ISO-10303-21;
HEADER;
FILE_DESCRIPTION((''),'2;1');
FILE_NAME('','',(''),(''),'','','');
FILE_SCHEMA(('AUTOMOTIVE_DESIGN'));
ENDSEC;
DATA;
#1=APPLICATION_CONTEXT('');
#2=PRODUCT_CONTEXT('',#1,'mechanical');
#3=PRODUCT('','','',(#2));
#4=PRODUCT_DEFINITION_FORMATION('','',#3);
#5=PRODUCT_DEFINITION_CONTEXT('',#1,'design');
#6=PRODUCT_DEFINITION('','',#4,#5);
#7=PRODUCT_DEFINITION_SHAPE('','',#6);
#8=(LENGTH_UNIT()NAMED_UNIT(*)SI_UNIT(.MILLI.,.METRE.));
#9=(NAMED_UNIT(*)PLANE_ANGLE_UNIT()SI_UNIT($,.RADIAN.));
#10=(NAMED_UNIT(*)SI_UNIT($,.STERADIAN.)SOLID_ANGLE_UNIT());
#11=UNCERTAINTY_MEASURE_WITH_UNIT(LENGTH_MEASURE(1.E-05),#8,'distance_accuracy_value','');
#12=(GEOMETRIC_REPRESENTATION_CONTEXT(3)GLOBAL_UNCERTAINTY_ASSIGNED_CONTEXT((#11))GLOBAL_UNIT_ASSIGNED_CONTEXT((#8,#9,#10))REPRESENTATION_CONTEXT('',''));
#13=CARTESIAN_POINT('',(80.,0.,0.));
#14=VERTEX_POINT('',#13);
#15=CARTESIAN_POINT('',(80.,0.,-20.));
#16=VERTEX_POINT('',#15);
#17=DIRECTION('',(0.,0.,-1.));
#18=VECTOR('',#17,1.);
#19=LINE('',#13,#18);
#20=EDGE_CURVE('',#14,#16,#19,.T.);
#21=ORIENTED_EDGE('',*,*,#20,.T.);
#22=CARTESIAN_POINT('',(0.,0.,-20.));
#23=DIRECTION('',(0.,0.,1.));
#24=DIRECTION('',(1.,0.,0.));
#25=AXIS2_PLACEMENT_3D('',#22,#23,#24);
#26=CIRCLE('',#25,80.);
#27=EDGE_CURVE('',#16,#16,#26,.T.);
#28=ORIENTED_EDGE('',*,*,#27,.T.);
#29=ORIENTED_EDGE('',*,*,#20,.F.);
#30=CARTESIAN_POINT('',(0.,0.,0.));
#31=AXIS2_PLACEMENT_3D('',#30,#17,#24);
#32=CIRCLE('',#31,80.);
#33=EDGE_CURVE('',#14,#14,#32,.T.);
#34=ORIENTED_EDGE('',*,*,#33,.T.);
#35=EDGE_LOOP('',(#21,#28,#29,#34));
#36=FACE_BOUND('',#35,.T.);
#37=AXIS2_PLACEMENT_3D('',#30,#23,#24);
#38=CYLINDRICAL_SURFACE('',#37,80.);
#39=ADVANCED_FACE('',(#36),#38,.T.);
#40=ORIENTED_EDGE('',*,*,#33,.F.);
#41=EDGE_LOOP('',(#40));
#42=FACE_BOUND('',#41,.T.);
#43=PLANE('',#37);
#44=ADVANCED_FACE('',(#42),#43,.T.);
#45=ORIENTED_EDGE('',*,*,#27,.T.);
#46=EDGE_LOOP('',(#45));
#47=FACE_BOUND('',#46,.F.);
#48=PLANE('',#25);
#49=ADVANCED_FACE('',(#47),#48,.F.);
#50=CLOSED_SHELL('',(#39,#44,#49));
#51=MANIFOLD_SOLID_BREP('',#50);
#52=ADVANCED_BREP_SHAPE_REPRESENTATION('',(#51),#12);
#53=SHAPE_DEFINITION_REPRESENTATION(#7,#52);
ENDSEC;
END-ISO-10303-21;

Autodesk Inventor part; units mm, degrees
ref_plane "YZ Plane" through (0, 0, 0) normal (1, 0, 0) x (0, 1, 0)
ref_plane "XZ Plane" through (0, 0, 0) normal (0, 1, 0) x (-1, 0, 0)
ref_plane "XY Plane" through (0, 0, 0) normal (0, 0, 1) x (1, 0, 0)
sketch "Sketch1" plane through (0, 0, 0) normal (0, 0, 1) x (1, 0, 0)
  spline S0 degree 3 poles (-6.5259, 79.7334) (-6.2263, 79.2581) (-5.7769, 78.5452) (-5.2243, 77.5668) (-4.8273, 76.8235) (-4.451, 76.0694) (-4.0967, 75.3048) (-3.7666, 74.5294) (-3.4631, 73.7432) (-3.1905, 72.9457) (-2.9506, 72.1376) (-2.7945, 71.4528) (-2.6817, 70.9025) (-2.5626, 70.4977) (-2.4016, 70.1077) (-2.1917, 69.7409) (-1.9706, 69.4668) (-1.7708, 69.2687) (-1.6019, 69.1425) (-1.4288, 69.0215) (-1.2381, 68.9312) (-1.0444, 68.8474) (-0.8391, 68.7979) (-0.6323, 68.7561) (-0.3509, 68.7461) (0, 68.7526) (0.3509, 68.7461) (0.6323, 68.7561) (0.8391, 68.7979) (1.0444, 68.8474) (1.2381, 68.9312) (1.4288, 69.0215) (1.6019, 69.1425) (1.7708, 69.2687) (1.9706, 69.4668) (2.1917, 69.7409) (2.4016, 70.1077) (2.5626, 70.4977) (2.6817, 70.9025) (2.7945, 71.4528) (2.9506, 72.1376) (3.1905, 72.9457) (3.4631, 73.7432) (3.7666, 74.5294) (4.0967, 75.3048) (4.451, 76.0694) (4.8273, 76.8235) (5.2243, 77.5668) (5.7769, 78.5452) (6.2263, 79.2581) (6.5259, 79.7334) knots 0 0 0 0 0.168512 0.252773 0.337035 0.421295 0.505556 0.589816 0.674075 0.758333 0.842588 0.926838 0.968959 1.011074 1.053192 1.095291 1.137378 1.158442 1.179505 1.200561 1.221628 1.242684 1.263747 1.284807 1.305869 1.348 1.390132 1.411193 1.432253 1.453316 1.474372 1.495439 1.516495 1.537558 1.558622 1.60071 1.642808 1.684926 1.727041 1.769162 1.853412 1.937667 2.021925 2.106184 2.190444 2.274705 2.358966 2.443227 2.527488 2.696 2.696 2.696 2.696
  circle A0 centre (0, 0) radius 68.75 construction
  circle A1 centre (0, 0) radius 70.4769 construction
  circle A2 centre (0, 0) radius 75 construction
  circle A3 centre (0, 0) radius 80
  point P0 (-5.6426, 78.2983)
  point P1 (-5.2272, 77.5652)
  point P2 (-4.8307, 76.8217)
  point P3 (-4.4547, 76.0677)
  point P4 (-4.1007, 75.303)
  point P5 (-3.771, 74.5276)
  point P6 (-3.4682, 73.7413)
  point P7 (-3.1959, 72.9439)
  point P8 (-2.9594, 72.1353)
  point P9 (-2.7673, 71.315)
  point P10 (-2.676, 70.9038)
  point P11 (-2.5556, 70.5002)
  point P12 (-2.3934, 70.1115)
  point P13 (-2.1825, 69.7472)
  point P14 (-1.9188, 69.4191)
  point P15 (-1.7676, 69.2724)
  point P16 (-1.6012, 69.1434)
  point P17 (-1.4259, 69.0267)
  point P18 (-1.2376, 68.9322)
  point P19 (-1.0425, 68.8531)
  point P20 (-0.8389, 68.7992)
  point P21 (-0.6316, 68.7618)
  point P22 (-0.4213, 68.7499)
  point P23 (0, 68.75)
  point P24 (0.4213, 68.7499)
  point P25 (0.6316, 68.7618)
  point P26 (0.8389, 68.7992)
  point P27 (1.0425, 68.8531)
  point P28 (1.2376, 68.9322)
  point P29 (1.4259, 69.0267)
  point P30 (1.6012, 69.1434)
  point P31 (1.7676, 69.2724)
  point P32 (1.9188, 69.4191)
  point P33 (2.1825, 69.7472)
  point P34 (2.3934, 70.1115)
  point P35 (2.5556, 70.5002)
  point P36 (2.676, 70.9038)
  point P37 (2.7673, 71.315)
  point P38 (2.9594, 72.1353)
  point P39 (3.1959, 72.9439)
  point P40 (3.4682, 73.7413)
  point P41 (3.771, 74.5276)
  point P42 (4.1007, 75.303)
  point P43 (4.4547, 76.0677)
  point P44 (4.8307, 76.8217)
  point P45 (5.2272, 77.5652)
  point P46 (5.6426, 78.2983)
extrude "Extrusion1" add sketch "Sketch1" against normal blind 20
equation "\"d0\" = FaceWidth"
equation "\"Module\" = 5"
equation "\"PressureAngle\" = 20deg"
equation "\"UnitProfileClearance\" = 0.25"
equation "\"UnitRoundRadius\" = 0.35"
equation "\"RootDiameter\" = 137.5"
equation "\"BaseDiameter\" = 140.95389"
equation "\"FaceWidth\" = 20"
equation "\"HelixAngle\" = 0"
equation "\"UnitCorrection\" = 0"
equation "\"UnitAddendumModification\" = 0"
equation "\"CircularPitch\" = 15.707963"
equation "\"UnitBacklashShift\" = 0"
equation "\"TotalToolShift\" = 0"
equation "\"IsInternal\" = 0"
properties part number "z"
